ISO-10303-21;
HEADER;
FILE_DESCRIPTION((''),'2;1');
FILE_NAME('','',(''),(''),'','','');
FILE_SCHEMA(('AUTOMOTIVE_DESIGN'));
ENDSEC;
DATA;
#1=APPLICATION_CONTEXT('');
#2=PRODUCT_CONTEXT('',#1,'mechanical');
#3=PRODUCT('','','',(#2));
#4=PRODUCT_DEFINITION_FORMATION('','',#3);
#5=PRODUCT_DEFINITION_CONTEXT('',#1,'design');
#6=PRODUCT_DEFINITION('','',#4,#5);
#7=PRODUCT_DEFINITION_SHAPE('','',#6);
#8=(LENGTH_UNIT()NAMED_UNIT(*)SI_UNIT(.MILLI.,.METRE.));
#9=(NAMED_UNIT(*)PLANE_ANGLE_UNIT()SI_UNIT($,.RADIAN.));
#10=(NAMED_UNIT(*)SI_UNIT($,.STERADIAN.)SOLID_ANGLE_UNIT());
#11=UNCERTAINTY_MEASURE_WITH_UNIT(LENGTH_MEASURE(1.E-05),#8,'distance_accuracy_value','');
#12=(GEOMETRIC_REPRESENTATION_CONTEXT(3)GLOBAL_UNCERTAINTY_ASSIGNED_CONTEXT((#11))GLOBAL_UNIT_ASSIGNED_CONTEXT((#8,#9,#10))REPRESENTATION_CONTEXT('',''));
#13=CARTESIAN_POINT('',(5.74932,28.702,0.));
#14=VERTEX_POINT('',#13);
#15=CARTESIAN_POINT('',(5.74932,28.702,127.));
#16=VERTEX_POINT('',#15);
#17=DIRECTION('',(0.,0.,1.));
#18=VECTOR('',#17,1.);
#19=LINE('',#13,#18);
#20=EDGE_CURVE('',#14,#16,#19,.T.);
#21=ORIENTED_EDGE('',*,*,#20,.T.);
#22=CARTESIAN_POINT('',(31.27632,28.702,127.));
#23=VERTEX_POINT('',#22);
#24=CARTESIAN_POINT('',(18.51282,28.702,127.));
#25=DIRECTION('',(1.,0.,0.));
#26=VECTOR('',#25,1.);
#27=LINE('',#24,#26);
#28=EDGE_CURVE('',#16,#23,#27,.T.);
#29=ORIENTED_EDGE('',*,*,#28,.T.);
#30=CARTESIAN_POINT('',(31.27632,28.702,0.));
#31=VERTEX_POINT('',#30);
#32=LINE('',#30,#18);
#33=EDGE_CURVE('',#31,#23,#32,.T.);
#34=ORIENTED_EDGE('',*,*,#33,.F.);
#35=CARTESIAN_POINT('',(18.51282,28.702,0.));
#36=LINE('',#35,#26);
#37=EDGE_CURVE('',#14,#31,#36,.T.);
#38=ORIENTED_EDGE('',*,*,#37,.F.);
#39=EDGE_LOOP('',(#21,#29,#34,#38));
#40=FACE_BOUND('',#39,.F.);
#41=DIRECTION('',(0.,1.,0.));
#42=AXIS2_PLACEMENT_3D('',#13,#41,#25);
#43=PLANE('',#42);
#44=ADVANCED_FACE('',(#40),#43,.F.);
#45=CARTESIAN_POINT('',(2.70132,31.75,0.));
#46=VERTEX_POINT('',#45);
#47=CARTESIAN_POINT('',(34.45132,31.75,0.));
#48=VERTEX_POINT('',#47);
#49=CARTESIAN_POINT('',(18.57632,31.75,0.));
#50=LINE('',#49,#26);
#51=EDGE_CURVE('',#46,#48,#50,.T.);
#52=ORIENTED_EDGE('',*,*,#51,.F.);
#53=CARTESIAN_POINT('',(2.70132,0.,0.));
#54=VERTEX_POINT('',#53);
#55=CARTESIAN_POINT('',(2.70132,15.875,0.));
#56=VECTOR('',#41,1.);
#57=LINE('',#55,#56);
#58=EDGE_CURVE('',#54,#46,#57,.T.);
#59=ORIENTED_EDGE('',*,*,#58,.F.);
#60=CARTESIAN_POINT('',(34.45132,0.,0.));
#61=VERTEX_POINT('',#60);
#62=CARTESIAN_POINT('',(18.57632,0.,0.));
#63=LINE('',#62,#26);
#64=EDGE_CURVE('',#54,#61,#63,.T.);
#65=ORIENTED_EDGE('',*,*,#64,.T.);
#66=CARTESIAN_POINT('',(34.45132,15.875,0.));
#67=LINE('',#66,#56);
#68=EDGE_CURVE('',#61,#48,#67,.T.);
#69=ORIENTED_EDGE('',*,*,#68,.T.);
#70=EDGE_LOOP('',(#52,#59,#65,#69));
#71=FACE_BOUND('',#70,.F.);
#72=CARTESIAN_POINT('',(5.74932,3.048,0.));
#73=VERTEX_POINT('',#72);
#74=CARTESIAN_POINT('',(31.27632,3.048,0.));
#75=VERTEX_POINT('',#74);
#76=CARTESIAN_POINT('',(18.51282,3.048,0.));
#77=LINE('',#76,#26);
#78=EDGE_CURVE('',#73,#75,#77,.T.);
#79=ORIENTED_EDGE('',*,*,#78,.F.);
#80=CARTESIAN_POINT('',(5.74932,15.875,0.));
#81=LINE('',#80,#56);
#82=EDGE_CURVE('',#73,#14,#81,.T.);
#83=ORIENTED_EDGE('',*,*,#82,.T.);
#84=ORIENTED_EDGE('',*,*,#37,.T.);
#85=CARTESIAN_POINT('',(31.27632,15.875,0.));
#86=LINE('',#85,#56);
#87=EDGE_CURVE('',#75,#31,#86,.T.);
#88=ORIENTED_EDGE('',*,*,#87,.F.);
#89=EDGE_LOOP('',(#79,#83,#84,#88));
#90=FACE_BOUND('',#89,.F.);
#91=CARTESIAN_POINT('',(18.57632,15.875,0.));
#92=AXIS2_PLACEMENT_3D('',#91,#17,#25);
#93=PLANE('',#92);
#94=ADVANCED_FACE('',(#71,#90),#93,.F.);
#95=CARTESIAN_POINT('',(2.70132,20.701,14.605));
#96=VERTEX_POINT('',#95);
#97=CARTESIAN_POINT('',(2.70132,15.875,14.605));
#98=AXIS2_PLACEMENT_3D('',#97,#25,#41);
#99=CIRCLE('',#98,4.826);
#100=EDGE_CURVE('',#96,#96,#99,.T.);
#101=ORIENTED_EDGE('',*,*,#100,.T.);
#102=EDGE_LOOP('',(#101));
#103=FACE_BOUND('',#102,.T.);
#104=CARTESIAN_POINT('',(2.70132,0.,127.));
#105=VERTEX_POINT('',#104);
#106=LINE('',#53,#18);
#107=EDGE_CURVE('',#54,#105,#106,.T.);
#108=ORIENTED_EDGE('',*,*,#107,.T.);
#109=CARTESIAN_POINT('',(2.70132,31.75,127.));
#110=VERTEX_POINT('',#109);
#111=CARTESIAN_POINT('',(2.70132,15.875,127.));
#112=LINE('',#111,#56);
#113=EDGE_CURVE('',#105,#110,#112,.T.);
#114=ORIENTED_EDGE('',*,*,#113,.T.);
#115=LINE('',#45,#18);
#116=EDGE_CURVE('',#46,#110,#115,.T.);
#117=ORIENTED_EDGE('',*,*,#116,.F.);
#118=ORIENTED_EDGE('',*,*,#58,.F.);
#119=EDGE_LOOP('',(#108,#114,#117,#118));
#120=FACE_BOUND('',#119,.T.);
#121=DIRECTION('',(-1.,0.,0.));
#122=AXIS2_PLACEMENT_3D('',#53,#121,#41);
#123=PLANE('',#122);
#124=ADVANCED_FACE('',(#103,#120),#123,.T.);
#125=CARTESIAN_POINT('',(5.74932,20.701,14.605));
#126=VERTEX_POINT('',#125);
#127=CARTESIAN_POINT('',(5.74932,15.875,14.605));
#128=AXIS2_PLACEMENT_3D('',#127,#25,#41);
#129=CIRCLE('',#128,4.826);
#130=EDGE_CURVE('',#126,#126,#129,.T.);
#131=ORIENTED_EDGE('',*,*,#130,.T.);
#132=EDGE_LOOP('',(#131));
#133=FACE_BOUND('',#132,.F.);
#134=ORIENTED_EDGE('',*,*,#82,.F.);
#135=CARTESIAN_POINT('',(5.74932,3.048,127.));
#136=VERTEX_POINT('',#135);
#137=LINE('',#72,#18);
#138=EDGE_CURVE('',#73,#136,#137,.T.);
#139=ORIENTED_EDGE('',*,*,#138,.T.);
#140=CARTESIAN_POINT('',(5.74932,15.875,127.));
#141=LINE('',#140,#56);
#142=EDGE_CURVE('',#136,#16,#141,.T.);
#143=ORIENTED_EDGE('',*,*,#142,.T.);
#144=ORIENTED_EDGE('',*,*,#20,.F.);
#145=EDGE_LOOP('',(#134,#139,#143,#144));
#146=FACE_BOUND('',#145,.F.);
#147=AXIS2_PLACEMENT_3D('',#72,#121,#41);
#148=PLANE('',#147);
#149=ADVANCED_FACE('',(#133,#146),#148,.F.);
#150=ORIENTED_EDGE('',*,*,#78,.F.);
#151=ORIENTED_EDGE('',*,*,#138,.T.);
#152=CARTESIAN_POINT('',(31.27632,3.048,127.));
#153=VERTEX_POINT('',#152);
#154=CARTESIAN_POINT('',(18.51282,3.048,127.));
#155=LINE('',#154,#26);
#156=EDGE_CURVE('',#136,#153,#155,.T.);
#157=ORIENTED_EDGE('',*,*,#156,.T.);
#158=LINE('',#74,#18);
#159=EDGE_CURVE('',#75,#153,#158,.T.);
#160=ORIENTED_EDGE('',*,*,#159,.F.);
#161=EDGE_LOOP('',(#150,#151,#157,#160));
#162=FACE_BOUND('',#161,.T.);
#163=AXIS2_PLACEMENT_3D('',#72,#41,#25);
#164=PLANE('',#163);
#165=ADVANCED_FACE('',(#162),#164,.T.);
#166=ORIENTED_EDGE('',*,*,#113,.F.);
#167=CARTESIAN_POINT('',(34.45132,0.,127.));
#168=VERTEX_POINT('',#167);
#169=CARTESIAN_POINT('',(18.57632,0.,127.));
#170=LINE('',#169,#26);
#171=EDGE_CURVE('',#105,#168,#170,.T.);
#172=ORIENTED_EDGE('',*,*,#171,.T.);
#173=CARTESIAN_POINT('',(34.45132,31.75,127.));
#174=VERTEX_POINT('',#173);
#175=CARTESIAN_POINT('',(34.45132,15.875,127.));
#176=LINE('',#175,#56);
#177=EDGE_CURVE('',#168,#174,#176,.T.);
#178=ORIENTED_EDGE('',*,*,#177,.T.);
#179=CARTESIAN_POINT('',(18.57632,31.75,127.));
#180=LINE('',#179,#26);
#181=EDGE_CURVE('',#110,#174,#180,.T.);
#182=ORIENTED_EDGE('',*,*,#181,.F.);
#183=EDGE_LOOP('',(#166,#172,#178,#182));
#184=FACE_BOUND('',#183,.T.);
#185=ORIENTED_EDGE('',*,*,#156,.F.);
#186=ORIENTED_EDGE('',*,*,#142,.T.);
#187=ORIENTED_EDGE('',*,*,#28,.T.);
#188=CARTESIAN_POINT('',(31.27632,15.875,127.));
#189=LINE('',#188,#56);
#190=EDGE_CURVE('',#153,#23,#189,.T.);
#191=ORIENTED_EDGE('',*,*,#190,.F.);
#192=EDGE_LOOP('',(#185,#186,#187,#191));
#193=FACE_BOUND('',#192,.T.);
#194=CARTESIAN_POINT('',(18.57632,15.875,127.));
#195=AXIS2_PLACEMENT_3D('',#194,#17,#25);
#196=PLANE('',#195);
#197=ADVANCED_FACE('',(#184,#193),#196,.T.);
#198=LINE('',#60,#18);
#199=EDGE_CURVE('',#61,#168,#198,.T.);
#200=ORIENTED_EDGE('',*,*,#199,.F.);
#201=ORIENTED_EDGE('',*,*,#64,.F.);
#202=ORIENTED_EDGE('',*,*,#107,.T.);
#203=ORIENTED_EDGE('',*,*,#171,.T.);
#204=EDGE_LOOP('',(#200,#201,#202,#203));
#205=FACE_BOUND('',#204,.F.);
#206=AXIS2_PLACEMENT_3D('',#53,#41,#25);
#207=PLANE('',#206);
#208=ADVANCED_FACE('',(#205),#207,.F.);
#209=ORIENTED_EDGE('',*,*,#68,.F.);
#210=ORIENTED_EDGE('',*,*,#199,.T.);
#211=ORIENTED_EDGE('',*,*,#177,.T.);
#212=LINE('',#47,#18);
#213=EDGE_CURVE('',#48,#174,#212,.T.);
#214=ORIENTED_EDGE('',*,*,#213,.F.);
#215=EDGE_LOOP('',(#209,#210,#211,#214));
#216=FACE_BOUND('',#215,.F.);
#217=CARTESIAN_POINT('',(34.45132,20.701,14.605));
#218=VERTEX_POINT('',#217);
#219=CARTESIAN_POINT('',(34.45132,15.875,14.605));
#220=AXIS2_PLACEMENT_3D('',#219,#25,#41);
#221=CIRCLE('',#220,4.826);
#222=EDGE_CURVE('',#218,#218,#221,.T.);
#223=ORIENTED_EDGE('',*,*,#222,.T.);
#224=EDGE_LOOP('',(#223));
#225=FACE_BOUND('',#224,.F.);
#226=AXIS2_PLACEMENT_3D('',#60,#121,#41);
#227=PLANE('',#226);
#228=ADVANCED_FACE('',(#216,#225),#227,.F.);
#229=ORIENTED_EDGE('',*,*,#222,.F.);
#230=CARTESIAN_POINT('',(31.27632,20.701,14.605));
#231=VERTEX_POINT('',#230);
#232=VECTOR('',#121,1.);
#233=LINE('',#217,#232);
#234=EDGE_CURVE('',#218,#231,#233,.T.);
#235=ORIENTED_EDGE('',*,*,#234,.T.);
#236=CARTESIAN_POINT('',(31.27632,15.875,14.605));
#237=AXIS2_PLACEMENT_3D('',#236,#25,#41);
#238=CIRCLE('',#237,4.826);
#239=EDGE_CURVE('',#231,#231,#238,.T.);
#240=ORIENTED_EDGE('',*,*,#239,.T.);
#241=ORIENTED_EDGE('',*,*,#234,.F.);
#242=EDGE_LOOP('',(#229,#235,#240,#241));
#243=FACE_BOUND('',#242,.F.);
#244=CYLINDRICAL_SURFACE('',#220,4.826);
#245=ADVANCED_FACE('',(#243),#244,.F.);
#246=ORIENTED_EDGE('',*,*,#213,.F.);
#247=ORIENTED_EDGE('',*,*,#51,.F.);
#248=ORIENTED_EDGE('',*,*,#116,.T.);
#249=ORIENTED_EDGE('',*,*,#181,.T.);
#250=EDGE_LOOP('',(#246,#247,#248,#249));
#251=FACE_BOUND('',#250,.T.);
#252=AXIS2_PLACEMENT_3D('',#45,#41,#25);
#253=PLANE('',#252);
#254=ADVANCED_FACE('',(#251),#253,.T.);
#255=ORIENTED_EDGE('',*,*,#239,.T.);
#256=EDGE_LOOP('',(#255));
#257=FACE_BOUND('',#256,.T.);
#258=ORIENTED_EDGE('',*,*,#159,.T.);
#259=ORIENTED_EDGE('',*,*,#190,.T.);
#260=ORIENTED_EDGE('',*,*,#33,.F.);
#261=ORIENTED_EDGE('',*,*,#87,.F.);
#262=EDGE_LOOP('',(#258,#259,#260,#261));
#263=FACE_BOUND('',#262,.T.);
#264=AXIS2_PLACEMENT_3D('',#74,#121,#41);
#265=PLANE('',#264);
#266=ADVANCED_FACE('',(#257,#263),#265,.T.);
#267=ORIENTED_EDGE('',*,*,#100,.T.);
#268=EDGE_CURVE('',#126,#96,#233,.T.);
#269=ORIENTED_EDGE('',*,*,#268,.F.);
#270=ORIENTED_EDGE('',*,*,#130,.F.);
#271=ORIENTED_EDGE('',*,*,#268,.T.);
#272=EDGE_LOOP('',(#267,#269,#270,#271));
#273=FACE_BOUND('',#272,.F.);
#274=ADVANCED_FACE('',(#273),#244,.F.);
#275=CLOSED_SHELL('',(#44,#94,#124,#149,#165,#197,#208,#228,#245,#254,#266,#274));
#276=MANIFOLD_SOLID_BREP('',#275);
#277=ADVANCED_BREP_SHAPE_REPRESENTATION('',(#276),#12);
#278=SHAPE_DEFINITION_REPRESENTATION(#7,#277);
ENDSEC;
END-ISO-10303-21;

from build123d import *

# Parameters (mm, degrees)
F0_W     = 31.75
F0_H     = 31.75
F0_W_2   = 25.527
F0_H_2   = 25.654
F1_DEPTH = 127
F2_R     = 4.826
F3_DEPTH = 31.751


with BuildPart() as f1:
    # F0 (on Top) → F1 (new body)
    with BuildSketch(Plane.XY):
        with Locations((18.57632, 15.875)):
            Rectangle(F0_W, F0_H)
        with Locations((18.51282, 15.875)):
            Rectangle(F0_W_2, F0_H_2, mode=Mode.SUBTRACT)
    extrude(amount=F1_DEPTH)

    # F2 (on face) → F3 (cut, through all)
    with BuildSketch(Plane.YZ.offset(34.45132)):
        with Locations((15.875, 14.605)):
            Circle(F2_R)
    extrude(amount=-F3_DEPTH, mode=Mode.SUBTRACT)


solid = f1.part
